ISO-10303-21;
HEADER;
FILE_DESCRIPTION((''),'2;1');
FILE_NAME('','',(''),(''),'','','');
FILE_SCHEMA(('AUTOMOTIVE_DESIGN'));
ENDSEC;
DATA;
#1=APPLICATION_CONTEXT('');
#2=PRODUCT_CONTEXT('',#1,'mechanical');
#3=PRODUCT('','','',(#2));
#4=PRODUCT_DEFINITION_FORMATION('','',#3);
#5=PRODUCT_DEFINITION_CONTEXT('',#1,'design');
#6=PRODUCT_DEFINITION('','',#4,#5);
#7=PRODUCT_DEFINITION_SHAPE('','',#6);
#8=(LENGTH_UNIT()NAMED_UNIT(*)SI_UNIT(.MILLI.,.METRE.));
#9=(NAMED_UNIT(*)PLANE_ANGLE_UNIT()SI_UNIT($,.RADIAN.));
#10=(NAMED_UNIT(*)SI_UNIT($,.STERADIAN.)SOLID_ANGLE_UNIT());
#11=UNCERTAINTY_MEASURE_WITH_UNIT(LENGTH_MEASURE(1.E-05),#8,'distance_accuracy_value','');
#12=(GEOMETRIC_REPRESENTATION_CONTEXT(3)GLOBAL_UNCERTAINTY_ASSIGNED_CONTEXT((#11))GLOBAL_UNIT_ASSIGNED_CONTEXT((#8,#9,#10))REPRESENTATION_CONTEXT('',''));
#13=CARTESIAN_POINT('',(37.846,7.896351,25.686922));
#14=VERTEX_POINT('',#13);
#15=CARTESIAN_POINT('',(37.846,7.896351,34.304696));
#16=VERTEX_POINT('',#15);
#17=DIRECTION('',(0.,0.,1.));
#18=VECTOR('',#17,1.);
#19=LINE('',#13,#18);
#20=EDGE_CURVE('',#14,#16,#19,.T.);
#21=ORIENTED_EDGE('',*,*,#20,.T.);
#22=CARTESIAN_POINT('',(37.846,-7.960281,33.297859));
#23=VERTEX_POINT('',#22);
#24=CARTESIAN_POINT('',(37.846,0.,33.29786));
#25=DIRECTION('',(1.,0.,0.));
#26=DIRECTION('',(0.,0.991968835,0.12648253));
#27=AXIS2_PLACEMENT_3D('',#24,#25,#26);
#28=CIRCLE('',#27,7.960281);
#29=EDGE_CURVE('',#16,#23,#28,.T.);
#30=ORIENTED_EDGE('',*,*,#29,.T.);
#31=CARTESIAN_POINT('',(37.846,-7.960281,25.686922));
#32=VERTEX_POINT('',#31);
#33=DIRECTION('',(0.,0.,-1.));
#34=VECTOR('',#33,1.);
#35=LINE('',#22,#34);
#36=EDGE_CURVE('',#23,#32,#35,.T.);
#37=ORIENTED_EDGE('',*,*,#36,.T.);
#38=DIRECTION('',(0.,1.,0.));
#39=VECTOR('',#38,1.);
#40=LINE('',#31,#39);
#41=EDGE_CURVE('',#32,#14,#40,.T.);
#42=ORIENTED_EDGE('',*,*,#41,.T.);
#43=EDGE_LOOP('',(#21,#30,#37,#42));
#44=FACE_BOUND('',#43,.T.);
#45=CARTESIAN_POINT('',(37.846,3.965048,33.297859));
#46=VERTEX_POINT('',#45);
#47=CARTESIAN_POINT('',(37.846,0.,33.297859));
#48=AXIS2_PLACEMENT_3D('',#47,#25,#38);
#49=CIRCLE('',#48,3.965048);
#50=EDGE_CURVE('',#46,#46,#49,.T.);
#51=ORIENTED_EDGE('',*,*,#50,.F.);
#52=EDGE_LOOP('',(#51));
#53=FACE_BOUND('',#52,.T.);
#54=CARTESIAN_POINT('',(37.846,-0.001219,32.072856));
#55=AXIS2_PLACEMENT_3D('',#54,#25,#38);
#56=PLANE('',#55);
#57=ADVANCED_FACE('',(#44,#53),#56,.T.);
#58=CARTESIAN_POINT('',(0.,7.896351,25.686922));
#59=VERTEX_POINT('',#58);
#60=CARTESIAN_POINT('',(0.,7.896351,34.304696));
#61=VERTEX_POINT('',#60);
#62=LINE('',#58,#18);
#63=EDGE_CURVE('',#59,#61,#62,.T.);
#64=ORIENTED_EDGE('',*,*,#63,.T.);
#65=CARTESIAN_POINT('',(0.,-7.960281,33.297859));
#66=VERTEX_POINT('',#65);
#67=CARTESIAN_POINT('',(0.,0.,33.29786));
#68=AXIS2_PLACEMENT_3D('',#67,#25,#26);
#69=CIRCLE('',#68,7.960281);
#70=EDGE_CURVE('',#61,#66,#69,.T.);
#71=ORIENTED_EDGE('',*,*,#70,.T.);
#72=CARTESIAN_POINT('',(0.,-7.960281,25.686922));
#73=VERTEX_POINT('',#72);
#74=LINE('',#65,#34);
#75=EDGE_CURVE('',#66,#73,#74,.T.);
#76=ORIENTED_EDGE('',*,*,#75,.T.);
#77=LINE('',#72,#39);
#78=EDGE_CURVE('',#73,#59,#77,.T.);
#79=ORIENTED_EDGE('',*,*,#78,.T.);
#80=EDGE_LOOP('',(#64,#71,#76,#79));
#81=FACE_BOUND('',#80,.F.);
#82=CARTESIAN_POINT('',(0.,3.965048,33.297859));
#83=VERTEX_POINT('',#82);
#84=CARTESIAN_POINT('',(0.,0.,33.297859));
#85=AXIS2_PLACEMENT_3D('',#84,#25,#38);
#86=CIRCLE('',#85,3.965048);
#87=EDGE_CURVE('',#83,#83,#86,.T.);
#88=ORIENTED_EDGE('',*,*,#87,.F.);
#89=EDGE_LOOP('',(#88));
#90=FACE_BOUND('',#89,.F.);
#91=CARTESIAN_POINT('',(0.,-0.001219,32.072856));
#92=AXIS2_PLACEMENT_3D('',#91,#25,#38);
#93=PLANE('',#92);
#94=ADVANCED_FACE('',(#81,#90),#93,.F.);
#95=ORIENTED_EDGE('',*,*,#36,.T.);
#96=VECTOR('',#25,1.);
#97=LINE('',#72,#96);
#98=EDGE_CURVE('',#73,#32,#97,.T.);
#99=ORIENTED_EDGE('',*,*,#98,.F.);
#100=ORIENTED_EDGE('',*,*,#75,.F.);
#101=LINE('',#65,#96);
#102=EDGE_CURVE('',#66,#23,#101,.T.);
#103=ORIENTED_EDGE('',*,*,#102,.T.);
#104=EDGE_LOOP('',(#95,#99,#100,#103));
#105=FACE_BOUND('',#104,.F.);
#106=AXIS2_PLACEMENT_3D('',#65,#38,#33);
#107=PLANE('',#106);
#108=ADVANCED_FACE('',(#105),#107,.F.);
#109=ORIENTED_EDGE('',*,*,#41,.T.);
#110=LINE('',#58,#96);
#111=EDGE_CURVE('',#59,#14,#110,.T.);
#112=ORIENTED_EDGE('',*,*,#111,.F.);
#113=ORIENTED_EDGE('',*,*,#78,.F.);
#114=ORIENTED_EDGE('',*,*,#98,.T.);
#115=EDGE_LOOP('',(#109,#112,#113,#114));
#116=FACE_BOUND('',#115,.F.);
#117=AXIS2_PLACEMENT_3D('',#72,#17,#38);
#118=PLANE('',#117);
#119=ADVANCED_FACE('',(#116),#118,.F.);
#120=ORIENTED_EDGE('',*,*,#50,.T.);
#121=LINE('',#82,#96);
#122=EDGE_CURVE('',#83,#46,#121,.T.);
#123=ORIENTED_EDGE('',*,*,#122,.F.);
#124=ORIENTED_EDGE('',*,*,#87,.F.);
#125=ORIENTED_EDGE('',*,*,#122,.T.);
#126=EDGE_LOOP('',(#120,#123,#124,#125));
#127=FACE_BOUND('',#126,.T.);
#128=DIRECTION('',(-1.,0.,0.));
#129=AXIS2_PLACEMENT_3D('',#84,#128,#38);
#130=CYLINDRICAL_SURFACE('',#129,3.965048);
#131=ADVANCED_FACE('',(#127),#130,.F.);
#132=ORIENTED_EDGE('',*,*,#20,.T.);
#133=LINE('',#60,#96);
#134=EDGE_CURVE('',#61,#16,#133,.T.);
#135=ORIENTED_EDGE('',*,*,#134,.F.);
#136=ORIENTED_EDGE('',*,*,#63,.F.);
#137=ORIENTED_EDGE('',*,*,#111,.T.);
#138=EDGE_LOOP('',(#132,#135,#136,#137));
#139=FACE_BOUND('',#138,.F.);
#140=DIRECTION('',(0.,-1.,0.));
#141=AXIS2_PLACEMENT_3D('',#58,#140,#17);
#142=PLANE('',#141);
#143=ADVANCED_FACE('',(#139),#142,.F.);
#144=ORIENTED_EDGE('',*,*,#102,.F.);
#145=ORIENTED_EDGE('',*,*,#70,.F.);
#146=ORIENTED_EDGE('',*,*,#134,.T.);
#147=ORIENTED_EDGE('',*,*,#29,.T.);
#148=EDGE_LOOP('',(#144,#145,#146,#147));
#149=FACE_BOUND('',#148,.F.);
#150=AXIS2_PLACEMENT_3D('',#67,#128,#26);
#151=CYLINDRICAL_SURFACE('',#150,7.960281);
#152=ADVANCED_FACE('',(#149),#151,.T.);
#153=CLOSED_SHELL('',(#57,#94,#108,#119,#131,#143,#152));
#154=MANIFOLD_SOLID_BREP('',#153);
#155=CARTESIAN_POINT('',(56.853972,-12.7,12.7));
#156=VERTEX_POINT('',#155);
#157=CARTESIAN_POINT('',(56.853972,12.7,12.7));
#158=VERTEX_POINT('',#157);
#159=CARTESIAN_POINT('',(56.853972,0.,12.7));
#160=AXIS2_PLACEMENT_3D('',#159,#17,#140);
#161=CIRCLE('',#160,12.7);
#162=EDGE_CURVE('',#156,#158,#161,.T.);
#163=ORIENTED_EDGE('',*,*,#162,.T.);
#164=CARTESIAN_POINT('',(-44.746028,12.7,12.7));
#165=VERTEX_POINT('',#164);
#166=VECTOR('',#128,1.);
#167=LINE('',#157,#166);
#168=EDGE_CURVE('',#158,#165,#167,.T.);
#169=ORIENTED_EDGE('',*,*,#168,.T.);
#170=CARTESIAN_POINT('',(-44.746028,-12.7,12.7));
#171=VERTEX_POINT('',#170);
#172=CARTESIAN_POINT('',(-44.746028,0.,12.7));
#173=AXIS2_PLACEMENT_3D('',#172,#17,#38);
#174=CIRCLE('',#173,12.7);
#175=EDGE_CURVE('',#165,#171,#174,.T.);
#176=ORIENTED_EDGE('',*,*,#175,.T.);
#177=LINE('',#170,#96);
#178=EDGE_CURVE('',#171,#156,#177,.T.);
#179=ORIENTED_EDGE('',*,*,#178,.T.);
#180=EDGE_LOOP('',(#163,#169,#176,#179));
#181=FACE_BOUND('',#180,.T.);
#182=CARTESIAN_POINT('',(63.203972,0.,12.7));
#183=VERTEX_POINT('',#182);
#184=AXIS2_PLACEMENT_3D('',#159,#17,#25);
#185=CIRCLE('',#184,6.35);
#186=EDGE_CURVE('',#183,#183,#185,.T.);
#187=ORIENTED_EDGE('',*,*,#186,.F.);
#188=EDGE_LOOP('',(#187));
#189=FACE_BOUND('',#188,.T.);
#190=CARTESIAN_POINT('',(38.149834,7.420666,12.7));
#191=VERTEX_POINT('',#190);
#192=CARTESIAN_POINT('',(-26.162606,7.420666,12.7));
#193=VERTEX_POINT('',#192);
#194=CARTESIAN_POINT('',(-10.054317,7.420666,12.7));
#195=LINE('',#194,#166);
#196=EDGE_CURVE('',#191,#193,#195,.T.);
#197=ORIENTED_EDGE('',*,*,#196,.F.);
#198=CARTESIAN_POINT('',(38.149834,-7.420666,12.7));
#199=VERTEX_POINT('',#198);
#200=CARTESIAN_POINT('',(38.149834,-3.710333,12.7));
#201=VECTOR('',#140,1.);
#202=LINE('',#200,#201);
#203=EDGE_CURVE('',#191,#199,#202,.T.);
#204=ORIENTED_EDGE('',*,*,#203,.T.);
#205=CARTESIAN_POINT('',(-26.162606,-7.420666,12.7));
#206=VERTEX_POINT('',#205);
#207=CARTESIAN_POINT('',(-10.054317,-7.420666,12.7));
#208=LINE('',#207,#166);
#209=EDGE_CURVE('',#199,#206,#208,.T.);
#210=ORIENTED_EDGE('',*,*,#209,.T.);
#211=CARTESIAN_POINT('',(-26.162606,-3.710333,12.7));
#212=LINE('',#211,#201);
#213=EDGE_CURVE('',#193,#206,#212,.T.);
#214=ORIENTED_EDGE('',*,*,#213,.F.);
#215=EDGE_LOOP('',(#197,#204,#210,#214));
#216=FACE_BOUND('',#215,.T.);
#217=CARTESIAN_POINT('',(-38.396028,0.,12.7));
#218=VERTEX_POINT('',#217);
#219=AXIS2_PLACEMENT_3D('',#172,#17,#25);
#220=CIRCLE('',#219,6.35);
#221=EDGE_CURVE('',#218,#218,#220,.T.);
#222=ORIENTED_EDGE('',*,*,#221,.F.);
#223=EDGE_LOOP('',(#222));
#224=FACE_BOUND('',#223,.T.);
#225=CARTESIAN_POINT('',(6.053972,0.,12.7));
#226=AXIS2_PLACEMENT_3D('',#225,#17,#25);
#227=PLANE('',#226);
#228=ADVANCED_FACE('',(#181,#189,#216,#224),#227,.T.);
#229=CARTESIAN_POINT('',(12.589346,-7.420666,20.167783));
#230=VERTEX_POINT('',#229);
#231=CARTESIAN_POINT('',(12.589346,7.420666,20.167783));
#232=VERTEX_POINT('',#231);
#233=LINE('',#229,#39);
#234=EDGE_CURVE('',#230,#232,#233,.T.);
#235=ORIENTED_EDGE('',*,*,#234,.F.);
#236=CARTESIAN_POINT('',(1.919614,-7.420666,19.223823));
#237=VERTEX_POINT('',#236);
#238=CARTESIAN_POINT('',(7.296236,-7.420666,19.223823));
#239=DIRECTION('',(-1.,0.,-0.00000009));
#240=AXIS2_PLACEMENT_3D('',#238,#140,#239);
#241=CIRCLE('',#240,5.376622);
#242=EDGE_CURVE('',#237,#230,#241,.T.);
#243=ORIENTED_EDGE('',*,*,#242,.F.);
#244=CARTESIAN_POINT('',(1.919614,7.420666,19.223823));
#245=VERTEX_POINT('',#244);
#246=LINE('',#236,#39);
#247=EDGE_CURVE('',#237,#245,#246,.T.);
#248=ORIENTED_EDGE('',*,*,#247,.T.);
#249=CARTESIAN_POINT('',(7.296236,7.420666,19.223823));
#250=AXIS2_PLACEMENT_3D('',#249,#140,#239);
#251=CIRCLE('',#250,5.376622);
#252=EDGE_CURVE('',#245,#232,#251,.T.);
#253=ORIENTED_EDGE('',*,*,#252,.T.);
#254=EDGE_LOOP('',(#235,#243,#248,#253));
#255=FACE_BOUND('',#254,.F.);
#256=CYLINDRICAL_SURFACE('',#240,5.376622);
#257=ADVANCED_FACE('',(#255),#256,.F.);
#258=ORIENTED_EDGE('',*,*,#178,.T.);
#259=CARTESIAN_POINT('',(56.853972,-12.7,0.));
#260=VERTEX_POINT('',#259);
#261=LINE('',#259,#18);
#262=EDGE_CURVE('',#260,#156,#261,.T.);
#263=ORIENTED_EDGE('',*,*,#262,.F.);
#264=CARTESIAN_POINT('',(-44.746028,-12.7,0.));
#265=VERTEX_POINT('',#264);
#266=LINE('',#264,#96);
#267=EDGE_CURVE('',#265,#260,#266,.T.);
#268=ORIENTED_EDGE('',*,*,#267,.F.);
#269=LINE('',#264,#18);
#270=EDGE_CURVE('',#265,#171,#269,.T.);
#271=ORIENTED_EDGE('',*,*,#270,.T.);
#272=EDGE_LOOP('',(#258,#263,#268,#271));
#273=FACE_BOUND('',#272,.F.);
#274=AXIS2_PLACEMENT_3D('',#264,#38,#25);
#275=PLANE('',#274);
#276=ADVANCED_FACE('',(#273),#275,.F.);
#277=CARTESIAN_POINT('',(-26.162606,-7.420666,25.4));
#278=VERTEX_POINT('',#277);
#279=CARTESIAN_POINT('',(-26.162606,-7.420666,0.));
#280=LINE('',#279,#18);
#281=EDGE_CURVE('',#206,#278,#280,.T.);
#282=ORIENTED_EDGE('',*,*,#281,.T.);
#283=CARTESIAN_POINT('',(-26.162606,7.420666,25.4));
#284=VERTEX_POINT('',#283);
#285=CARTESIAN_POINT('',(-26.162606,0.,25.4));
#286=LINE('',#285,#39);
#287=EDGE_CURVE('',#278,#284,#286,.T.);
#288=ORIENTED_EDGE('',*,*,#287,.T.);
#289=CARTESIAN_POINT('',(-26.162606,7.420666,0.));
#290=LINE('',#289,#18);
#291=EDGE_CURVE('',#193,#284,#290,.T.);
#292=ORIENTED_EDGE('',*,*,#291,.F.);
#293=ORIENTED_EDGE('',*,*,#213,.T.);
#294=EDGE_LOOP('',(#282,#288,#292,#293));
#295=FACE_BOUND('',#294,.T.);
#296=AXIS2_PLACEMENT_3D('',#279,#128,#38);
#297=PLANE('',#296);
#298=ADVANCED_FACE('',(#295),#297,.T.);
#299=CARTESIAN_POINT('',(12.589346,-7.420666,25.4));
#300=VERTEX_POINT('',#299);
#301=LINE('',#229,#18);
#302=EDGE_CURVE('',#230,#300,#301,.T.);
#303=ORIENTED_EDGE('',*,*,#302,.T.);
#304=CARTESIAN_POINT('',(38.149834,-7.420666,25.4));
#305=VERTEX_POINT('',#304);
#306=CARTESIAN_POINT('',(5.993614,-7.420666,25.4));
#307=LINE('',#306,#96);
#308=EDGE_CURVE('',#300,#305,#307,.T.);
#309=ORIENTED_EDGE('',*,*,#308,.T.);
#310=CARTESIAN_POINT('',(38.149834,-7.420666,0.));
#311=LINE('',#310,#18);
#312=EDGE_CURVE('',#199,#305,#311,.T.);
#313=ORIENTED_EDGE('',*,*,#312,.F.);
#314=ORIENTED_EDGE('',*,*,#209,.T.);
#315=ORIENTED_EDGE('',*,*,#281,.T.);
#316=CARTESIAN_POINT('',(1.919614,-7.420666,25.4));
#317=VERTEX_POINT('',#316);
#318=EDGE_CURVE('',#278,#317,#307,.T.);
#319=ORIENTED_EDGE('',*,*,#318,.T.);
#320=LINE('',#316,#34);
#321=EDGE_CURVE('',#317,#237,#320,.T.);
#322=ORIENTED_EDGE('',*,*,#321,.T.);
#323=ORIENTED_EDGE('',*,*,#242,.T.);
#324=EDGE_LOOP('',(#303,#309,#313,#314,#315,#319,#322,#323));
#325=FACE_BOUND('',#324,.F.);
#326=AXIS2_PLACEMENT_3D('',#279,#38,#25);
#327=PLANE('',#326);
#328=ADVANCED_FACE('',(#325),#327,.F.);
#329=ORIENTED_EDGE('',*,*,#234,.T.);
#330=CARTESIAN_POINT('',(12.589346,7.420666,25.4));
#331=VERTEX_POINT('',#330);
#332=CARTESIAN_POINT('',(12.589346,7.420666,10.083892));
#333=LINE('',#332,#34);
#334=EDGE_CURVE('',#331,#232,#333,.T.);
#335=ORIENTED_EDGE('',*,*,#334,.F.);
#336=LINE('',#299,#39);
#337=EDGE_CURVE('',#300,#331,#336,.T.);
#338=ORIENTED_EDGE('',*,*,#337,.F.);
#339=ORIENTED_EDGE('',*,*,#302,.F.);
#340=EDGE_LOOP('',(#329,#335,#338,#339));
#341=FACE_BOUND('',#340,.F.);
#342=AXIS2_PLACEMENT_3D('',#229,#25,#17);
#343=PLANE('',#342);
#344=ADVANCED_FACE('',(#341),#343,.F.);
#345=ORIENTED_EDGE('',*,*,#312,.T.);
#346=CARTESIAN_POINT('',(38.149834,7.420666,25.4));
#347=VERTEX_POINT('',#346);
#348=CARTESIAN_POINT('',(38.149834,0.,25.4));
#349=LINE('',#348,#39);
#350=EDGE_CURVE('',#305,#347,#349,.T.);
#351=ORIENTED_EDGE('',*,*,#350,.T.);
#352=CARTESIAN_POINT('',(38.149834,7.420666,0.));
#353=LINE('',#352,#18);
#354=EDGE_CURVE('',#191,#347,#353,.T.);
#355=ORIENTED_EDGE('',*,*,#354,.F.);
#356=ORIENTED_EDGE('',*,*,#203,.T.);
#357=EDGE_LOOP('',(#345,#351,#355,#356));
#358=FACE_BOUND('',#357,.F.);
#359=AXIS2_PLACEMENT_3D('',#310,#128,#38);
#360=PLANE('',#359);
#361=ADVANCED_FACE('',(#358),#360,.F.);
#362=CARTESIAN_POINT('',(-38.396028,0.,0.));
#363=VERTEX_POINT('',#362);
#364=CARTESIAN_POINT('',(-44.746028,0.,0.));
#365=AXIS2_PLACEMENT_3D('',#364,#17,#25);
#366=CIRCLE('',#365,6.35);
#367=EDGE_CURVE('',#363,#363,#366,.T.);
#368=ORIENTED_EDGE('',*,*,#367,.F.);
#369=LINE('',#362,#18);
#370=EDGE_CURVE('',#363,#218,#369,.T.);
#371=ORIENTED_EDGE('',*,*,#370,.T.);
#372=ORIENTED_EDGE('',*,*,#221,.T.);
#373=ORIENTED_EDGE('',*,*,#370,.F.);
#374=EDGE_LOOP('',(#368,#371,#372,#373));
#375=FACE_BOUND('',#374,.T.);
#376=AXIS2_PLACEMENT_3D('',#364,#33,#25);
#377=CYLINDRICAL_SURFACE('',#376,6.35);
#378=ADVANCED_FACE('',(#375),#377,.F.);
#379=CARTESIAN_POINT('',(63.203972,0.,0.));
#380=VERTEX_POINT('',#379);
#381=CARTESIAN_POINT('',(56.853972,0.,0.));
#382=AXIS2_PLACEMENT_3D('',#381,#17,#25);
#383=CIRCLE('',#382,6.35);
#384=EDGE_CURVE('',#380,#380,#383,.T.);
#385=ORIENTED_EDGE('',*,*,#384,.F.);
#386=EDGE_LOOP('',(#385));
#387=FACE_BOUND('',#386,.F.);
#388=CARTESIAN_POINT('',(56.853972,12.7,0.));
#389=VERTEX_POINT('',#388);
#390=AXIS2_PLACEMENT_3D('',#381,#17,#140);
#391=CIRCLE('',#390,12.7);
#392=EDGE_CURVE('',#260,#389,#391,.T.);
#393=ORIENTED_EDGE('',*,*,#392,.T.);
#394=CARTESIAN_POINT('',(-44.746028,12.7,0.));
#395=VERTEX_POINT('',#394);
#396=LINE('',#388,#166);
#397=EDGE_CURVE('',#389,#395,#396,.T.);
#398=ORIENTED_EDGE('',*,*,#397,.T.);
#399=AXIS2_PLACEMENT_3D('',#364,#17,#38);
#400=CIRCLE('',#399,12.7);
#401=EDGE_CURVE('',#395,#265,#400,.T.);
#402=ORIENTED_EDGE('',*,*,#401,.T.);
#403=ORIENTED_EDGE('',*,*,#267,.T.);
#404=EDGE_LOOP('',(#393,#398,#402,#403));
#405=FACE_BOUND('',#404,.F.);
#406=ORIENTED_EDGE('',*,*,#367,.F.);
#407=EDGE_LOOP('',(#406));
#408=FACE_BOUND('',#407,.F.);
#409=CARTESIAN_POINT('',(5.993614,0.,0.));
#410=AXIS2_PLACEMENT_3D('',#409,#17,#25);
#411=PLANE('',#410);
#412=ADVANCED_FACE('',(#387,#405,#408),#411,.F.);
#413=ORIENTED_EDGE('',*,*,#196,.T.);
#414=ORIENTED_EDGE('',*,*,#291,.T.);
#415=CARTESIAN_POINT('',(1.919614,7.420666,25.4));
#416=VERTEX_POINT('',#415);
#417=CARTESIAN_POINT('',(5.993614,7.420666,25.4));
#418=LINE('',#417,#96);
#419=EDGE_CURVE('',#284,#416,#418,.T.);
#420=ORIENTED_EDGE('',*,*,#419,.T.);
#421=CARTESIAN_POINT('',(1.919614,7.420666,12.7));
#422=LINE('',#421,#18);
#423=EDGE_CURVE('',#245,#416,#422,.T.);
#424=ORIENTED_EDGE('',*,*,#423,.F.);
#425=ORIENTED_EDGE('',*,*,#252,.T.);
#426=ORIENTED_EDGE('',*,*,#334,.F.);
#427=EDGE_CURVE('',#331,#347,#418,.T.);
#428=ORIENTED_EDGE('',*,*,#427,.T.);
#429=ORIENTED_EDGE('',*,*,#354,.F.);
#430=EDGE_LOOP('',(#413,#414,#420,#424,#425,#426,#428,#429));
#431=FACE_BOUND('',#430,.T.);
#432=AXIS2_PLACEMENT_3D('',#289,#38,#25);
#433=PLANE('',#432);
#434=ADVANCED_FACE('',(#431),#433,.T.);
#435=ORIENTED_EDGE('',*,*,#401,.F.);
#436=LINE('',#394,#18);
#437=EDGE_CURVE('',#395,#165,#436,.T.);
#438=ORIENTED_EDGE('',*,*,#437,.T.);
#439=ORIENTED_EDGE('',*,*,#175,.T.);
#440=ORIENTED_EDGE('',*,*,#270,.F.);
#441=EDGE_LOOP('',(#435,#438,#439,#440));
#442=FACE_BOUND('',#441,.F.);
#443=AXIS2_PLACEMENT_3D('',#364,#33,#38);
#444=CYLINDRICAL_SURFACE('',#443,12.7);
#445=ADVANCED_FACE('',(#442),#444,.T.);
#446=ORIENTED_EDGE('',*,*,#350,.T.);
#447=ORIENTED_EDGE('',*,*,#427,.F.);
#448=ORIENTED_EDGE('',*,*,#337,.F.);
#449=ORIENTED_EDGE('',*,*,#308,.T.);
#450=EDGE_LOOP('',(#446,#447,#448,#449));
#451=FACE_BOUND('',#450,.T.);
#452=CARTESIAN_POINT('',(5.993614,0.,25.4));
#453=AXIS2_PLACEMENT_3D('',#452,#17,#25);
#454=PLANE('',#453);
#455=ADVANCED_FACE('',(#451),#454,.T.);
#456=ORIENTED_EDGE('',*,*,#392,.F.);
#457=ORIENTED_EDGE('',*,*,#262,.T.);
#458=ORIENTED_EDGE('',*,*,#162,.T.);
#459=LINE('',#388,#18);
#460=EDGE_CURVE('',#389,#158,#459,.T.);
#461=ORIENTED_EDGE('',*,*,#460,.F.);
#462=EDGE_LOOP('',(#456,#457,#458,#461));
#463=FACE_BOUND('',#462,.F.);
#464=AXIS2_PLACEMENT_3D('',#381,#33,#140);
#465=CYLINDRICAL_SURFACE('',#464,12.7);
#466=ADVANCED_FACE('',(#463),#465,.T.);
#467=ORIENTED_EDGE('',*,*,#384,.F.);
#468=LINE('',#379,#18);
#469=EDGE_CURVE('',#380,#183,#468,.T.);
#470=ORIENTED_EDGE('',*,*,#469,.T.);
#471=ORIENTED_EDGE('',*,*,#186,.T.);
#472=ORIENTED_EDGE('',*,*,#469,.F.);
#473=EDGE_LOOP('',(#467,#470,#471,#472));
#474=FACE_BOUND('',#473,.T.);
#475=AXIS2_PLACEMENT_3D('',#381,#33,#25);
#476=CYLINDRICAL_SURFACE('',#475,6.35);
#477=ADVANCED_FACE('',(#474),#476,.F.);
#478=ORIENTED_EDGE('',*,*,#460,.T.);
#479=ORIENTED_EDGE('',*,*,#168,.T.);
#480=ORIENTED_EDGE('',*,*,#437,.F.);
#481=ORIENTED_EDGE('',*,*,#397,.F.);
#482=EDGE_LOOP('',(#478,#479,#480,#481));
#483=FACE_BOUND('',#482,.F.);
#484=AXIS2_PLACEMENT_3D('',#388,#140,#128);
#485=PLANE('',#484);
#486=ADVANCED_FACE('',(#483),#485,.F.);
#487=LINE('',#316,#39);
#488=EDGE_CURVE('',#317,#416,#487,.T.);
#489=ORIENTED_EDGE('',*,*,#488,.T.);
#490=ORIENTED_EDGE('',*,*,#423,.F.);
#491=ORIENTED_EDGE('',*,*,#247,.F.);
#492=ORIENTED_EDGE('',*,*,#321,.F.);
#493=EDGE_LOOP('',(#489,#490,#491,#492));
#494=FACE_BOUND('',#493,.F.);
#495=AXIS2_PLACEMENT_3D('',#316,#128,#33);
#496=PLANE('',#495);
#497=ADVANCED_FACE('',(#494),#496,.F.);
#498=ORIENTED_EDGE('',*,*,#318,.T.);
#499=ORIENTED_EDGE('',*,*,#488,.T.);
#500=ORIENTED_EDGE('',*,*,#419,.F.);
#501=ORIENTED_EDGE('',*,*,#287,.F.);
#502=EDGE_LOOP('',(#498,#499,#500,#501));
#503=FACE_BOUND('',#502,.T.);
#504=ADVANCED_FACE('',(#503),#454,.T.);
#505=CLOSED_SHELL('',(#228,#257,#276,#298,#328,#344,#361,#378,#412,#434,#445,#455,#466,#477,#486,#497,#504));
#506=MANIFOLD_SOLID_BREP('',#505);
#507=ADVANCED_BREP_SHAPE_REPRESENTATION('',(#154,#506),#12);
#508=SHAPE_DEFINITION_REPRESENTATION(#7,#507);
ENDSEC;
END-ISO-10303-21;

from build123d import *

# Parameters (mm, degrees)
F0_R     = 6.35
F1_DEPTH = 12.7
F2_W     = 64.31244
F2_H     = 14.841332
F3_DEPTH = 25.4
F5_DEPTH = 25.4
F6_R     = 3.965048
F7_DEPTH = 37.846


with BuildPart() as f1:
    # F0 (on Top) → F1 (new body)
    with BuildSketch(Plane.XY):
        with BuildLine():
            Line((56.853972, 12.7), (-44.746028, 12.7))
            ThreePointArc((-44.746028, 12.7), (-57.446028, 0), (-44.746028, -12.7))
            Line((-44.746028, -12.7), (56.853972, -12.7))
            ThreePointArc((56.853972, -12.7), (69.553972, 0), (56.853972, 12.7))
        make_face()
        with Locations((-44.746028, 0)):
            Circle(F0_R, mode=Mode.SUBTRACT)
        with Locations((56.853972, 0)):
            Circle(F0_R, mode=Mode.SUBTRACT)
    extrude(amount=F1_DEPTH)

    # F2 (on Top) → F3 (join)
    with BuildSketch(Plane.XY):
        with Locations((5.993614, 0)):
            Rectangle(F2_W, F2_H)
    extrude(amount=F3_DEPTH)

    # F4 (on face) → F5 (cut)
    with BuildSketch(Plane.XZ.offset(7.420666)):
        with BuildLine():
            Line((1.919614, 25.4), (1.919614, 19.223823))
            ThreePointArc((1.919614, 19.223823), (7.77006, 13.86812), (12.589346, 20.167783))
            Line((12.589346, 20.167783), (12.589346, 25.4))
            Line((12.589346, 25.4), (1.919614, 25.4))
        make_face()
    extrude(amount=-F5_DEPTH, mode=Mode.SUBTRACT)


with BuildPart() as f7:
    # F6 (on Right) → F7 (new body)
    with BuildSketch(Plane.YZ):
        with BuildLine():
            Line((-7.960281, 25.686922), (-2.332317, 25.686922))
            Line((-2.332317, 25.686922), (2.332317, 25.686922))
            Line((2.332317, 25.686922), (7.896351, 25.686922))
            Line((7.896351, 25.686922), (7.896351, 32.291023))
            Line((7.896351, 32.291023), (7.896351, 34.304696))
            ThreePointArc((7.896351, 34.304696), (-0.504432, 41.242142), (-7.960281, 33.297859))
            Line((-7.960281, 33.297859), (-7.960281, 25.686922))
        make_face()
        with Locations((0, 33.297859)):
            Circle(F6_R, mode=Mode.SUBTRACT)
    extrude(amount=F7_DEPTH)


solid = Compound([f1.part, f7.part])
